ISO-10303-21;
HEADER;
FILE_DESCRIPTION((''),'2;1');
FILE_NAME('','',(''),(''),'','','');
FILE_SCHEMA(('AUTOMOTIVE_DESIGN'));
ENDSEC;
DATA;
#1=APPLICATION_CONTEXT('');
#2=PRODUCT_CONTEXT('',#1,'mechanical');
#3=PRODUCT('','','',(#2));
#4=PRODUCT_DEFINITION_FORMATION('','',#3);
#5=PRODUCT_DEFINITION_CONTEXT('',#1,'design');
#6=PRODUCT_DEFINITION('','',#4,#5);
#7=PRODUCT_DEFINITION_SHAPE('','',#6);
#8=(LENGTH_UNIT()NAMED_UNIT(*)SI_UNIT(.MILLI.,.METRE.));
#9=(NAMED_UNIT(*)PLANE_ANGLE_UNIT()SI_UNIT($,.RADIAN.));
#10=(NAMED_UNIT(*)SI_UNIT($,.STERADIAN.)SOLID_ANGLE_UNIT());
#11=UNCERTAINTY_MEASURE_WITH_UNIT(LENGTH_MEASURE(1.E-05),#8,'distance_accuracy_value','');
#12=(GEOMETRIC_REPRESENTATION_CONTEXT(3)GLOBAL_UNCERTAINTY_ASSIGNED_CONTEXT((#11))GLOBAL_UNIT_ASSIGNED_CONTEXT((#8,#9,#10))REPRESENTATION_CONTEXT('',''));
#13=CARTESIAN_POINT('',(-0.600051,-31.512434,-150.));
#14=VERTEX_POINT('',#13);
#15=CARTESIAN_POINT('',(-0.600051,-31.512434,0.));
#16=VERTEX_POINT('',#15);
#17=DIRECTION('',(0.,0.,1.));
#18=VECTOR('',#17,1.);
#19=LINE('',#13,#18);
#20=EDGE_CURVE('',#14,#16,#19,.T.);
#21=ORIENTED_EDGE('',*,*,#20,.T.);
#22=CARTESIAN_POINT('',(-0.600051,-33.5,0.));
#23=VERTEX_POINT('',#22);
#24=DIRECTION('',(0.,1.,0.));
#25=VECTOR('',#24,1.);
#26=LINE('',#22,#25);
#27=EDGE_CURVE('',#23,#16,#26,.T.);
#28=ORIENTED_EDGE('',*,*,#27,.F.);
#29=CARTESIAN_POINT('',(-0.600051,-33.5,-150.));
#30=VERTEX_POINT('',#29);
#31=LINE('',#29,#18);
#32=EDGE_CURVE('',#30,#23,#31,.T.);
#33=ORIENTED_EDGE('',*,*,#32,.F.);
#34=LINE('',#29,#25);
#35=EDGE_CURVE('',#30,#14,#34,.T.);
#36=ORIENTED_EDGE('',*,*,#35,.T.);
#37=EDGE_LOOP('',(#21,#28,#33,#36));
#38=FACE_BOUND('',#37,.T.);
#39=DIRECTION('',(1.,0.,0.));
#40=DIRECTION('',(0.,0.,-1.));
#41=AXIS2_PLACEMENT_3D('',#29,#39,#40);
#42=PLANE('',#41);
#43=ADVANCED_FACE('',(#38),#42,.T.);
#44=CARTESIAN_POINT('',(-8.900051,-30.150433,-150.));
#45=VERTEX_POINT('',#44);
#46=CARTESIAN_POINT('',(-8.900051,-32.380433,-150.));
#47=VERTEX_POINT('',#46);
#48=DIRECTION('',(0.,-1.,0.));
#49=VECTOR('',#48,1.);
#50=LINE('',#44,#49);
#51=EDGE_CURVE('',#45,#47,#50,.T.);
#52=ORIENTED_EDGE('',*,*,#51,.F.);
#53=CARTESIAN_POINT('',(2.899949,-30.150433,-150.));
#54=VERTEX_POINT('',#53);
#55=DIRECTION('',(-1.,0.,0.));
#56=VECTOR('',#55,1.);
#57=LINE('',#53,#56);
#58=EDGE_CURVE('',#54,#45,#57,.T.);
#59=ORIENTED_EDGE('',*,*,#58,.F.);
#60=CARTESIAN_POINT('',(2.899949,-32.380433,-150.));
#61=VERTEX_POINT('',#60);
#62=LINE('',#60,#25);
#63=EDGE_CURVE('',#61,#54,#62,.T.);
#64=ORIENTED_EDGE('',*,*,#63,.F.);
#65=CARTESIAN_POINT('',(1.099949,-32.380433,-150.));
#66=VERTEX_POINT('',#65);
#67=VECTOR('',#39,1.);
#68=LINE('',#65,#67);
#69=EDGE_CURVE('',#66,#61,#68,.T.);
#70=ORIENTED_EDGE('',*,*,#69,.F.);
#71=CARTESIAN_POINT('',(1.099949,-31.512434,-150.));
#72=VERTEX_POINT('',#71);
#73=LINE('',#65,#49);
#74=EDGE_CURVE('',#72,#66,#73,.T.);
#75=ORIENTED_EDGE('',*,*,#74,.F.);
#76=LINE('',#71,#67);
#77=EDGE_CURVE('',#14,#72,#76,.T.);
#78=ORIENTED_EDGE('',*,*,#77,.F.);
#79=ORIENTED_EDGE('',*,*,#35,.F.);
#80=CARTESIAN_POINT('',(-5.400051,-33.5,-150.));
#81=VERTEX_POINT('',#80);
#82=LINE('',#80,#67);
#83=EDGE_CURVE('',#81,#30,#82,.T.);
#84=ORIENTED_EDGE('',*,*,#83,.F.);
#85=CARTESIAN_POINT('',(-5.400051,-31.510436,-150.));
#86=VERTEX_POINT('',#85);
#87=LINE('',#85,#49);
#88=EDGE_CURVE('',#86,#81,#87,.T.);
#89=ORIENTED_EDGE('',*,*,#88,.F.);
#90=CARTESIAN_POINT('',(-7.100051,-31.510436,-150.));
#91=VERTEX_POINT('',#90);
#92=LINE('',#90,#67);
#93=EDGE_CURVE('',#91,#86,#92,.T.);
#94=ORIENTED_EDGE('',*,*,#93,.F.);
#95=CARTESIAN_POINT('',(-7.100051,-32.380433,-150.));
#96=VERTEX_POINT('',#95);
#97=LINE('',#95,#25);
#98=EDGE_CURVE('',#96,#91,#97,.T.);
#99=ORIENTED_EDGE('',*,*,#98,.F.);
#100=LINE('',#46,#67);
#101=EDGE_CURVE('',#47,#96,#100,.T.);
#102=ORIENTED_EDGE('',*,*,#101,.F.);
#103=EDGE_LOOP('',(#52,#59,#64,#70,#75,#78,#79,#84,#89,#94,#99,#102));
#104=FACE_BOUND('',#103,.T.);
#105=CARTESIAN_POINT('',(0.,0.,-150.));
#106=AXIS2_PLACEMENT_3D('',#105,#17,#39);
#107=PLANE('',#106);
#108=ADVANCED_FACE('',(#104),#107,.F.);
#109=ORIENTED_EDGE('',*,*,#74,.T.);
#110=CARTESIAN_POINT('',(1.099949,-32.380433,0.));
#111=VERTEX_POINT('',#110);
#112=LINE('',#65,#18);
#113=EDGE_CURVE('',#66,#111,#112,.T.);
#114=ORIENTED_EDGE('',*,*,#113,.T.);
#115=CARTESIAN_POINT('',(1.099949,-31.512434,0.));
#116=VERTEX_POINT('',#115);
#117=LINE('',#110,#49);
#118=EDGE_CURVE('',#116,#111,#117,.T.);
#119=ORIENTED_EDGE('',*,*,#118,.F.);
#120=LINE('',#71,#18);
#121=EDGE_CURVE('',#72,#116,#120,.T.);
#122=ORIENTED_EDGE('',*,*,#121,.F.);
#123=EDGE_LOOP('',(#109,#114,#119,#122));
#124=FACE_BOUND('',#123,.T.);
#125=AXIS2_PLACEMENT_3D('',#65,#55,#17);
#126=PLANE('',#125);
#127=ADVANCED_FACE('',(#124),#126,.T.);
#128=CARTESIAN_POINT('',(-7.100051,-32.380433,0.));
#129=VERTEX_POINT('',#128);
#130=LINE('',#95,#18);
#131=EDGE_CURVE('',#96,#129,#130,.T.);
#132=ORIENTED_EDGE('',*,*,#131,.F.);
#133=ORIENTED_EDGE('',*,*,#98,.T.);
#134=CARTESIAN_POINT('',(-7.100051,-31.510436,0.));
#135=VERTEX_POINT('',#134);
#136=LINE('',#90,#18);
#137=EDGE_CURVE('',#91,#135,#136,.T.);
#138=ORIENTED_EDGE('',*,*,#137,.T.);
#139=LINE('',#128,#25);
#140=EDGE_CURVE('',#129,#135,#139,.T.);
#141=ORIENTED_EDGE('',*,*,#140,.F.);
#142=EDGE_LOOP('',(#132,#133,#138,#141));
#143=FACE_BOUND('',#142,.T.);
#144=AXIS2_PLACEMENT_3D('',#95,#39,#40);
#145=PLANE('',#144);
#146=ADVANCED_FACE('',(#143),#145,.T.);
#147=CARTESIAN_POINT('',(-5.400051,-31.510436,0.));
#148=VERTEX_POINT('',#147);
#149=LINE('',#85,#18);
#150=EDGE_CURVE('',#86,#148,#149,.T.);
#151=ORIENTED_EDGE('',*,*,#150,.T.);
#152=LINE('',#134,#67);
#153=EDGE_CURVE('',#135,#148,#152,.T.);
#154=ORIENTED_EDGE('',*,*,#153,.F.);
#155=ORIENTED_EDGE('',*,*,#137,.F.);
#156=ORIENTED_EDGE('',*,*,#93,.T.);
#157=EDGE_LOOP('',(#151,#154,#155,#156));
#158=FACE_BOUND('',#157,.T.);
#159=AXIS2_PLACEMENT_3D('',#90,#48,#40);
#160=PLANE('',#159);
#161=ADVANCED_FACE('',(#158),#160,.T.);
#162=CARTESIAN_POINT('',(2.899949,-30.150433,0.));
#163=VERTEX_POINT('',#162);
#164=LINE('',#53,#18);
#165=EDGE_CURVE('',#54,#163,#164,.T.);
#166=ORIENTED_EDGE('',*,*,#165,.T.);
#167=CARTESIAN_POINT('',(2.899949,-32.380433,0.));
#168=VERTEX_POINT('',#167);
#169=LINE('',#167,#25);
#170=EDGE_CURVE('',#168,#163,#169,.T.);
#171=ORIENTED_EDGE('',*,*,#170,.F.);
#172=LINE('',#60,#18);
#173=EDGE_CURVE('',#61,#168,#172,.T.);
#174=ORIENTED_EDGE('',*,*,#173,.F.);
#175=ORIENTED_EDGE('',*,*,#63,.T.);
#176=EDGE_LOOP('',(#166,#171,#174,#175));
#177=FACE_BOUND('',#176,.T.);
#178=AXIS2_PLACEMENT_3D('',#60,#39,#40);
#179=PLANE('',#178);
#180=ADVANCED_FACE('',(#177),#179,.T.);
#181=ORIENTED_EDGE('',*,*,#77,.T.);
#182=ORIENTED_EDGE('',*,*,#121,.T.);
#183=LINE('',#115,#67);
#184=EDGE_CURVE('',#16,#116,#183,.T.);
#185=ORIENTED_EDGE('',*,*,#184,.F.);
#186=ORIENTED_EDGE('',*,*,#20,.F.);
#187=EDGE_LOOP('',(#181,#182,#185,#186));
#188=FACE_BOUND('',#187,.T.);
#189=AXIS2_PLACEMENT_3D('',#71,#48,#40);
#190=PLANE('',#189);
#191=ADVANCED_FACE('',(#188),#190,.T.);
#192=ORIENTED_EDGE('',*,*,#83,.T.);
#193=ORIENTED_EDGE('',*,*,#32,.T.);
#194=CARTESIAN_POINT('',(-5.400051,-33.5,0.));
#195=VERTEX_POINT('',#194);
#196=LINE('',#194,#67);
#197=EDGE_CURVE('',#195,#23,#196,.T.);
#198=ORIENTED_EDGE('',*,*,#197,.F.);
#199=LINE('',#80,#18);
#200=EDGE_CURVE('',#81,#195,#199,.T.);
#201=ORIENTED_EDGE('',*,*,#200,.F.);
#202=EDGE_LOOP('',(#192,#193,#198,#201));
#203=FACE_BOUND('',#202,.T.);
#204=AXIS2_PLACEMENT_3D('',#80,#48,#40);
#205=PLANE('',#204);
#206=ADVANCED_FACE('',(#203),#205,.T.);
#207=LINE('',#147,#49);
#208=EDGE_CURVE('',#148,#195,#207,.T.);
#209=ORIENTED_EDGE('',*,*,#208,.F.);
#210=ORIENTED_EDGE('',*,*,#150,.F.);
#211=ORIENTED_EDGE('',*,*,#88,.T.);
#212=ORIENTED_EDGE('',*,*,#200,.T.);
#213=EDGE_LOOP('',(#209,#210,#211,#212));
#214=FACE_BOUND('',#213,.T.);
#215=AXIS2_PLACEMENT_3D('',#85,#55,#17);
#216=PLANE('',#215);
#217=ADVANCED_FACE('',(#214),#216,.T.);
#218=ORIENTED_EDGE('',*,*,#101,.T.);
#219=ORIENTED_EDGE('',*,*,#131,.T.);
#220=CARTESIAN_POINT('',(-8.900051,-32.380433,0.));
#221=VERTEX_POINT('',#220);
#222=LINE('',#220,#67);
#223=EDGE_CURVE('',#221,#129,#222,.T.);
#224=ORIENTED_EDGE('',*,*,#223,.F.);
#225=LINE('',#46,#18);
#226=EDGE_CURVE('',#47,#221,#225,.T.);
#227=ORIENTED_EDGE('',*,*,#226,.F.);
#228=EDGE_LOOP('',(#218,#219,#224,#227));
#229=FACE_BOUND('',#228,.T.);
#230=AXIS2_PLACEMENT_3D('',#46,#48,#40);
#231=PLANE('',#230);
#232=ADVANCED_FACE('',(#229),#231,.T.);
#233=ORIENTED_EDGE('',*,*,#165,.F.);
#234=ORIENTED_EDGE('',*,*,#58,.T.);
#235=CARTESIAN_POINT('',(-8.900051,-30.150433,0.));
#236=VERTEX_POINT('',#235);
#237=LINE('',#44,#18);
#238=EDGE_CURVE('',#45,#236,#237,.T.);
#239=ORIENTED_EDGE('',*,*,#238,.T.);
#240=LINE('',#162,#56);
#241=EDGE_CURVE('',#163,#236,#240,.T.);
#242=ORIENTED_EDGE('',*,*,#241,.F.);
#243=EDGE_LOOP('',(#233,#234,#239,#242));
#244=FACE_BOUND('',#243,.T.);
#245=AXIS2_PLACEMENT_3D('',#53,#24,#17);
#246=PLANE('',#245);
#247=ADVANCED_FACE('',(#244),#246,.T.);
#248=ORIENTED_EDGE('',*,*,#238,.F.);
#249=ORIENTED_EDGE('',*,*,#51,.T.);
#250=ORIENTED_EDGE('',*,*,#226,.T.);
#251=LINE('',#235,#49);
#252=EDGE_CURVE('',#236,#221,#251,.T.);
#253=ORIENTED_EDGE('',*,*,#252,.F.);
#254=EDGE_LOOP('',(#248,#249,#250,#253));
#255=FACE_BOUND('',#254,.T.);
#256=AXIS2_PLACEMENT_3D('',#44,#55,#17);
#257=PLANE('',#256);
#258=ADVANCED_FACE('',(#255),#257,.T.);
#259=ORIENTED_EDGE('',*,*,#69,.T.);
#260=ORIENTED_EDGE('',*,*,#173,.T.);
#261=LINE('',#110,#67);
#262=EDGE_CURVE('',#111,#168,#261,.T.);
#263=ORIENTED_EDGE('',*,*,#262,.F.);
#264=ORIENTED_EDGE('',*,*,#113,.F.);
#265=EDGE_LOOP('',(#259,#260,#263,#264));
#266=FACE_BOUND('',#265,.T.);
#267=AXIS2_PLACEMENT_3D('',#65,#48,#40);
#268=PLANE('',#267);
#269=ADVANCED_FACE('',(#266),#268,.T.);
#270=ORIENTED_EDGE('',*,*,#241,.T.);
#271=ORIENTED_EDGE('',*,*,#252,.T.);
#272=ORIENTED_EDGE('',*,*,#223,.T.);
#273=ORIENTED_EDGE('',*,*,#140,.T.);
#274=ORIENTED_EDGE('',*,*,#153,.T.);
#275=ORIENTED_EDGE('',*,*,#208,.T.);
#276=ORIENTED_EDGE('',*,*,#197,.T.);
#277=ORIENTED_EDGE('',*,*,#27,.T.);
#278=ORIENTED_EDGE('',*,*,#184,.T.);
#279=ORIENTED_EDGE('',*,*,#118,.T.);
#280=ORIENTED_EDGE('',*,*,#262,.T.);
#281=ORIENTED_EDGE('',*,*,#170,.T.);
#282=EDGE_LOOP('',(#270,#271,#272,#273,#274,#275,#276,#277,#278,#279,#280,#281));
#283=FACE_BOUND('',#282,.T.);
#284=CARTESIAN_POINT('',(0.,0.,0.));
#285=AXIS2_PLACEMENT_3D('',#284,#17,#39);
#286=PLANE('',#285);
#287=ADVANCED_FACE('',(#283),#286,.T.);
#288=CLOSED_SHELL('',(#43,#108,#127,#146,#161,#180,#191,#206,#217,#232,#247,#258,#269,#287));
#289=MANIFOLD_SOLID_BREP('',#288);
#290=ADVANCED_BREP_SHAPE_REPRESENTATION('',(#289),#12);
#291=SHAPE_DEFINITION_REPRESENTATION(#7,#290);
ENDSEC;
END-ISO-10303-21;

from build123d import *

# Parameters (mm, degrees)
RESSALTO_EXTRUS_O1_DEPTH = 150


with BuildPart() as part:
    # Esboço1 → Ressalto-extrusão1 (new body)
    with BuildSketch(Plane.XY):
        Polygon((-0.6000508, -33.5), (-0.6000508, -31.512433505), (1.0999492, -31.512433505), (1.0999492, -32.380433252), (2.8999492, -32.380433252), (2.8999492, -30.150433252), (-8.9000508, -30.150433252), (-8.9000508, -32.380433252), (-7.1000508, -32.380433252), (-7.1000508, -31.510435739), (-5.4000508, -31.510435739), (-5.4000508, -33.5), align=None)
    extrude(amount=-RESSALTO_EXTRUS_O1_DEPTH)


solid = part.part
